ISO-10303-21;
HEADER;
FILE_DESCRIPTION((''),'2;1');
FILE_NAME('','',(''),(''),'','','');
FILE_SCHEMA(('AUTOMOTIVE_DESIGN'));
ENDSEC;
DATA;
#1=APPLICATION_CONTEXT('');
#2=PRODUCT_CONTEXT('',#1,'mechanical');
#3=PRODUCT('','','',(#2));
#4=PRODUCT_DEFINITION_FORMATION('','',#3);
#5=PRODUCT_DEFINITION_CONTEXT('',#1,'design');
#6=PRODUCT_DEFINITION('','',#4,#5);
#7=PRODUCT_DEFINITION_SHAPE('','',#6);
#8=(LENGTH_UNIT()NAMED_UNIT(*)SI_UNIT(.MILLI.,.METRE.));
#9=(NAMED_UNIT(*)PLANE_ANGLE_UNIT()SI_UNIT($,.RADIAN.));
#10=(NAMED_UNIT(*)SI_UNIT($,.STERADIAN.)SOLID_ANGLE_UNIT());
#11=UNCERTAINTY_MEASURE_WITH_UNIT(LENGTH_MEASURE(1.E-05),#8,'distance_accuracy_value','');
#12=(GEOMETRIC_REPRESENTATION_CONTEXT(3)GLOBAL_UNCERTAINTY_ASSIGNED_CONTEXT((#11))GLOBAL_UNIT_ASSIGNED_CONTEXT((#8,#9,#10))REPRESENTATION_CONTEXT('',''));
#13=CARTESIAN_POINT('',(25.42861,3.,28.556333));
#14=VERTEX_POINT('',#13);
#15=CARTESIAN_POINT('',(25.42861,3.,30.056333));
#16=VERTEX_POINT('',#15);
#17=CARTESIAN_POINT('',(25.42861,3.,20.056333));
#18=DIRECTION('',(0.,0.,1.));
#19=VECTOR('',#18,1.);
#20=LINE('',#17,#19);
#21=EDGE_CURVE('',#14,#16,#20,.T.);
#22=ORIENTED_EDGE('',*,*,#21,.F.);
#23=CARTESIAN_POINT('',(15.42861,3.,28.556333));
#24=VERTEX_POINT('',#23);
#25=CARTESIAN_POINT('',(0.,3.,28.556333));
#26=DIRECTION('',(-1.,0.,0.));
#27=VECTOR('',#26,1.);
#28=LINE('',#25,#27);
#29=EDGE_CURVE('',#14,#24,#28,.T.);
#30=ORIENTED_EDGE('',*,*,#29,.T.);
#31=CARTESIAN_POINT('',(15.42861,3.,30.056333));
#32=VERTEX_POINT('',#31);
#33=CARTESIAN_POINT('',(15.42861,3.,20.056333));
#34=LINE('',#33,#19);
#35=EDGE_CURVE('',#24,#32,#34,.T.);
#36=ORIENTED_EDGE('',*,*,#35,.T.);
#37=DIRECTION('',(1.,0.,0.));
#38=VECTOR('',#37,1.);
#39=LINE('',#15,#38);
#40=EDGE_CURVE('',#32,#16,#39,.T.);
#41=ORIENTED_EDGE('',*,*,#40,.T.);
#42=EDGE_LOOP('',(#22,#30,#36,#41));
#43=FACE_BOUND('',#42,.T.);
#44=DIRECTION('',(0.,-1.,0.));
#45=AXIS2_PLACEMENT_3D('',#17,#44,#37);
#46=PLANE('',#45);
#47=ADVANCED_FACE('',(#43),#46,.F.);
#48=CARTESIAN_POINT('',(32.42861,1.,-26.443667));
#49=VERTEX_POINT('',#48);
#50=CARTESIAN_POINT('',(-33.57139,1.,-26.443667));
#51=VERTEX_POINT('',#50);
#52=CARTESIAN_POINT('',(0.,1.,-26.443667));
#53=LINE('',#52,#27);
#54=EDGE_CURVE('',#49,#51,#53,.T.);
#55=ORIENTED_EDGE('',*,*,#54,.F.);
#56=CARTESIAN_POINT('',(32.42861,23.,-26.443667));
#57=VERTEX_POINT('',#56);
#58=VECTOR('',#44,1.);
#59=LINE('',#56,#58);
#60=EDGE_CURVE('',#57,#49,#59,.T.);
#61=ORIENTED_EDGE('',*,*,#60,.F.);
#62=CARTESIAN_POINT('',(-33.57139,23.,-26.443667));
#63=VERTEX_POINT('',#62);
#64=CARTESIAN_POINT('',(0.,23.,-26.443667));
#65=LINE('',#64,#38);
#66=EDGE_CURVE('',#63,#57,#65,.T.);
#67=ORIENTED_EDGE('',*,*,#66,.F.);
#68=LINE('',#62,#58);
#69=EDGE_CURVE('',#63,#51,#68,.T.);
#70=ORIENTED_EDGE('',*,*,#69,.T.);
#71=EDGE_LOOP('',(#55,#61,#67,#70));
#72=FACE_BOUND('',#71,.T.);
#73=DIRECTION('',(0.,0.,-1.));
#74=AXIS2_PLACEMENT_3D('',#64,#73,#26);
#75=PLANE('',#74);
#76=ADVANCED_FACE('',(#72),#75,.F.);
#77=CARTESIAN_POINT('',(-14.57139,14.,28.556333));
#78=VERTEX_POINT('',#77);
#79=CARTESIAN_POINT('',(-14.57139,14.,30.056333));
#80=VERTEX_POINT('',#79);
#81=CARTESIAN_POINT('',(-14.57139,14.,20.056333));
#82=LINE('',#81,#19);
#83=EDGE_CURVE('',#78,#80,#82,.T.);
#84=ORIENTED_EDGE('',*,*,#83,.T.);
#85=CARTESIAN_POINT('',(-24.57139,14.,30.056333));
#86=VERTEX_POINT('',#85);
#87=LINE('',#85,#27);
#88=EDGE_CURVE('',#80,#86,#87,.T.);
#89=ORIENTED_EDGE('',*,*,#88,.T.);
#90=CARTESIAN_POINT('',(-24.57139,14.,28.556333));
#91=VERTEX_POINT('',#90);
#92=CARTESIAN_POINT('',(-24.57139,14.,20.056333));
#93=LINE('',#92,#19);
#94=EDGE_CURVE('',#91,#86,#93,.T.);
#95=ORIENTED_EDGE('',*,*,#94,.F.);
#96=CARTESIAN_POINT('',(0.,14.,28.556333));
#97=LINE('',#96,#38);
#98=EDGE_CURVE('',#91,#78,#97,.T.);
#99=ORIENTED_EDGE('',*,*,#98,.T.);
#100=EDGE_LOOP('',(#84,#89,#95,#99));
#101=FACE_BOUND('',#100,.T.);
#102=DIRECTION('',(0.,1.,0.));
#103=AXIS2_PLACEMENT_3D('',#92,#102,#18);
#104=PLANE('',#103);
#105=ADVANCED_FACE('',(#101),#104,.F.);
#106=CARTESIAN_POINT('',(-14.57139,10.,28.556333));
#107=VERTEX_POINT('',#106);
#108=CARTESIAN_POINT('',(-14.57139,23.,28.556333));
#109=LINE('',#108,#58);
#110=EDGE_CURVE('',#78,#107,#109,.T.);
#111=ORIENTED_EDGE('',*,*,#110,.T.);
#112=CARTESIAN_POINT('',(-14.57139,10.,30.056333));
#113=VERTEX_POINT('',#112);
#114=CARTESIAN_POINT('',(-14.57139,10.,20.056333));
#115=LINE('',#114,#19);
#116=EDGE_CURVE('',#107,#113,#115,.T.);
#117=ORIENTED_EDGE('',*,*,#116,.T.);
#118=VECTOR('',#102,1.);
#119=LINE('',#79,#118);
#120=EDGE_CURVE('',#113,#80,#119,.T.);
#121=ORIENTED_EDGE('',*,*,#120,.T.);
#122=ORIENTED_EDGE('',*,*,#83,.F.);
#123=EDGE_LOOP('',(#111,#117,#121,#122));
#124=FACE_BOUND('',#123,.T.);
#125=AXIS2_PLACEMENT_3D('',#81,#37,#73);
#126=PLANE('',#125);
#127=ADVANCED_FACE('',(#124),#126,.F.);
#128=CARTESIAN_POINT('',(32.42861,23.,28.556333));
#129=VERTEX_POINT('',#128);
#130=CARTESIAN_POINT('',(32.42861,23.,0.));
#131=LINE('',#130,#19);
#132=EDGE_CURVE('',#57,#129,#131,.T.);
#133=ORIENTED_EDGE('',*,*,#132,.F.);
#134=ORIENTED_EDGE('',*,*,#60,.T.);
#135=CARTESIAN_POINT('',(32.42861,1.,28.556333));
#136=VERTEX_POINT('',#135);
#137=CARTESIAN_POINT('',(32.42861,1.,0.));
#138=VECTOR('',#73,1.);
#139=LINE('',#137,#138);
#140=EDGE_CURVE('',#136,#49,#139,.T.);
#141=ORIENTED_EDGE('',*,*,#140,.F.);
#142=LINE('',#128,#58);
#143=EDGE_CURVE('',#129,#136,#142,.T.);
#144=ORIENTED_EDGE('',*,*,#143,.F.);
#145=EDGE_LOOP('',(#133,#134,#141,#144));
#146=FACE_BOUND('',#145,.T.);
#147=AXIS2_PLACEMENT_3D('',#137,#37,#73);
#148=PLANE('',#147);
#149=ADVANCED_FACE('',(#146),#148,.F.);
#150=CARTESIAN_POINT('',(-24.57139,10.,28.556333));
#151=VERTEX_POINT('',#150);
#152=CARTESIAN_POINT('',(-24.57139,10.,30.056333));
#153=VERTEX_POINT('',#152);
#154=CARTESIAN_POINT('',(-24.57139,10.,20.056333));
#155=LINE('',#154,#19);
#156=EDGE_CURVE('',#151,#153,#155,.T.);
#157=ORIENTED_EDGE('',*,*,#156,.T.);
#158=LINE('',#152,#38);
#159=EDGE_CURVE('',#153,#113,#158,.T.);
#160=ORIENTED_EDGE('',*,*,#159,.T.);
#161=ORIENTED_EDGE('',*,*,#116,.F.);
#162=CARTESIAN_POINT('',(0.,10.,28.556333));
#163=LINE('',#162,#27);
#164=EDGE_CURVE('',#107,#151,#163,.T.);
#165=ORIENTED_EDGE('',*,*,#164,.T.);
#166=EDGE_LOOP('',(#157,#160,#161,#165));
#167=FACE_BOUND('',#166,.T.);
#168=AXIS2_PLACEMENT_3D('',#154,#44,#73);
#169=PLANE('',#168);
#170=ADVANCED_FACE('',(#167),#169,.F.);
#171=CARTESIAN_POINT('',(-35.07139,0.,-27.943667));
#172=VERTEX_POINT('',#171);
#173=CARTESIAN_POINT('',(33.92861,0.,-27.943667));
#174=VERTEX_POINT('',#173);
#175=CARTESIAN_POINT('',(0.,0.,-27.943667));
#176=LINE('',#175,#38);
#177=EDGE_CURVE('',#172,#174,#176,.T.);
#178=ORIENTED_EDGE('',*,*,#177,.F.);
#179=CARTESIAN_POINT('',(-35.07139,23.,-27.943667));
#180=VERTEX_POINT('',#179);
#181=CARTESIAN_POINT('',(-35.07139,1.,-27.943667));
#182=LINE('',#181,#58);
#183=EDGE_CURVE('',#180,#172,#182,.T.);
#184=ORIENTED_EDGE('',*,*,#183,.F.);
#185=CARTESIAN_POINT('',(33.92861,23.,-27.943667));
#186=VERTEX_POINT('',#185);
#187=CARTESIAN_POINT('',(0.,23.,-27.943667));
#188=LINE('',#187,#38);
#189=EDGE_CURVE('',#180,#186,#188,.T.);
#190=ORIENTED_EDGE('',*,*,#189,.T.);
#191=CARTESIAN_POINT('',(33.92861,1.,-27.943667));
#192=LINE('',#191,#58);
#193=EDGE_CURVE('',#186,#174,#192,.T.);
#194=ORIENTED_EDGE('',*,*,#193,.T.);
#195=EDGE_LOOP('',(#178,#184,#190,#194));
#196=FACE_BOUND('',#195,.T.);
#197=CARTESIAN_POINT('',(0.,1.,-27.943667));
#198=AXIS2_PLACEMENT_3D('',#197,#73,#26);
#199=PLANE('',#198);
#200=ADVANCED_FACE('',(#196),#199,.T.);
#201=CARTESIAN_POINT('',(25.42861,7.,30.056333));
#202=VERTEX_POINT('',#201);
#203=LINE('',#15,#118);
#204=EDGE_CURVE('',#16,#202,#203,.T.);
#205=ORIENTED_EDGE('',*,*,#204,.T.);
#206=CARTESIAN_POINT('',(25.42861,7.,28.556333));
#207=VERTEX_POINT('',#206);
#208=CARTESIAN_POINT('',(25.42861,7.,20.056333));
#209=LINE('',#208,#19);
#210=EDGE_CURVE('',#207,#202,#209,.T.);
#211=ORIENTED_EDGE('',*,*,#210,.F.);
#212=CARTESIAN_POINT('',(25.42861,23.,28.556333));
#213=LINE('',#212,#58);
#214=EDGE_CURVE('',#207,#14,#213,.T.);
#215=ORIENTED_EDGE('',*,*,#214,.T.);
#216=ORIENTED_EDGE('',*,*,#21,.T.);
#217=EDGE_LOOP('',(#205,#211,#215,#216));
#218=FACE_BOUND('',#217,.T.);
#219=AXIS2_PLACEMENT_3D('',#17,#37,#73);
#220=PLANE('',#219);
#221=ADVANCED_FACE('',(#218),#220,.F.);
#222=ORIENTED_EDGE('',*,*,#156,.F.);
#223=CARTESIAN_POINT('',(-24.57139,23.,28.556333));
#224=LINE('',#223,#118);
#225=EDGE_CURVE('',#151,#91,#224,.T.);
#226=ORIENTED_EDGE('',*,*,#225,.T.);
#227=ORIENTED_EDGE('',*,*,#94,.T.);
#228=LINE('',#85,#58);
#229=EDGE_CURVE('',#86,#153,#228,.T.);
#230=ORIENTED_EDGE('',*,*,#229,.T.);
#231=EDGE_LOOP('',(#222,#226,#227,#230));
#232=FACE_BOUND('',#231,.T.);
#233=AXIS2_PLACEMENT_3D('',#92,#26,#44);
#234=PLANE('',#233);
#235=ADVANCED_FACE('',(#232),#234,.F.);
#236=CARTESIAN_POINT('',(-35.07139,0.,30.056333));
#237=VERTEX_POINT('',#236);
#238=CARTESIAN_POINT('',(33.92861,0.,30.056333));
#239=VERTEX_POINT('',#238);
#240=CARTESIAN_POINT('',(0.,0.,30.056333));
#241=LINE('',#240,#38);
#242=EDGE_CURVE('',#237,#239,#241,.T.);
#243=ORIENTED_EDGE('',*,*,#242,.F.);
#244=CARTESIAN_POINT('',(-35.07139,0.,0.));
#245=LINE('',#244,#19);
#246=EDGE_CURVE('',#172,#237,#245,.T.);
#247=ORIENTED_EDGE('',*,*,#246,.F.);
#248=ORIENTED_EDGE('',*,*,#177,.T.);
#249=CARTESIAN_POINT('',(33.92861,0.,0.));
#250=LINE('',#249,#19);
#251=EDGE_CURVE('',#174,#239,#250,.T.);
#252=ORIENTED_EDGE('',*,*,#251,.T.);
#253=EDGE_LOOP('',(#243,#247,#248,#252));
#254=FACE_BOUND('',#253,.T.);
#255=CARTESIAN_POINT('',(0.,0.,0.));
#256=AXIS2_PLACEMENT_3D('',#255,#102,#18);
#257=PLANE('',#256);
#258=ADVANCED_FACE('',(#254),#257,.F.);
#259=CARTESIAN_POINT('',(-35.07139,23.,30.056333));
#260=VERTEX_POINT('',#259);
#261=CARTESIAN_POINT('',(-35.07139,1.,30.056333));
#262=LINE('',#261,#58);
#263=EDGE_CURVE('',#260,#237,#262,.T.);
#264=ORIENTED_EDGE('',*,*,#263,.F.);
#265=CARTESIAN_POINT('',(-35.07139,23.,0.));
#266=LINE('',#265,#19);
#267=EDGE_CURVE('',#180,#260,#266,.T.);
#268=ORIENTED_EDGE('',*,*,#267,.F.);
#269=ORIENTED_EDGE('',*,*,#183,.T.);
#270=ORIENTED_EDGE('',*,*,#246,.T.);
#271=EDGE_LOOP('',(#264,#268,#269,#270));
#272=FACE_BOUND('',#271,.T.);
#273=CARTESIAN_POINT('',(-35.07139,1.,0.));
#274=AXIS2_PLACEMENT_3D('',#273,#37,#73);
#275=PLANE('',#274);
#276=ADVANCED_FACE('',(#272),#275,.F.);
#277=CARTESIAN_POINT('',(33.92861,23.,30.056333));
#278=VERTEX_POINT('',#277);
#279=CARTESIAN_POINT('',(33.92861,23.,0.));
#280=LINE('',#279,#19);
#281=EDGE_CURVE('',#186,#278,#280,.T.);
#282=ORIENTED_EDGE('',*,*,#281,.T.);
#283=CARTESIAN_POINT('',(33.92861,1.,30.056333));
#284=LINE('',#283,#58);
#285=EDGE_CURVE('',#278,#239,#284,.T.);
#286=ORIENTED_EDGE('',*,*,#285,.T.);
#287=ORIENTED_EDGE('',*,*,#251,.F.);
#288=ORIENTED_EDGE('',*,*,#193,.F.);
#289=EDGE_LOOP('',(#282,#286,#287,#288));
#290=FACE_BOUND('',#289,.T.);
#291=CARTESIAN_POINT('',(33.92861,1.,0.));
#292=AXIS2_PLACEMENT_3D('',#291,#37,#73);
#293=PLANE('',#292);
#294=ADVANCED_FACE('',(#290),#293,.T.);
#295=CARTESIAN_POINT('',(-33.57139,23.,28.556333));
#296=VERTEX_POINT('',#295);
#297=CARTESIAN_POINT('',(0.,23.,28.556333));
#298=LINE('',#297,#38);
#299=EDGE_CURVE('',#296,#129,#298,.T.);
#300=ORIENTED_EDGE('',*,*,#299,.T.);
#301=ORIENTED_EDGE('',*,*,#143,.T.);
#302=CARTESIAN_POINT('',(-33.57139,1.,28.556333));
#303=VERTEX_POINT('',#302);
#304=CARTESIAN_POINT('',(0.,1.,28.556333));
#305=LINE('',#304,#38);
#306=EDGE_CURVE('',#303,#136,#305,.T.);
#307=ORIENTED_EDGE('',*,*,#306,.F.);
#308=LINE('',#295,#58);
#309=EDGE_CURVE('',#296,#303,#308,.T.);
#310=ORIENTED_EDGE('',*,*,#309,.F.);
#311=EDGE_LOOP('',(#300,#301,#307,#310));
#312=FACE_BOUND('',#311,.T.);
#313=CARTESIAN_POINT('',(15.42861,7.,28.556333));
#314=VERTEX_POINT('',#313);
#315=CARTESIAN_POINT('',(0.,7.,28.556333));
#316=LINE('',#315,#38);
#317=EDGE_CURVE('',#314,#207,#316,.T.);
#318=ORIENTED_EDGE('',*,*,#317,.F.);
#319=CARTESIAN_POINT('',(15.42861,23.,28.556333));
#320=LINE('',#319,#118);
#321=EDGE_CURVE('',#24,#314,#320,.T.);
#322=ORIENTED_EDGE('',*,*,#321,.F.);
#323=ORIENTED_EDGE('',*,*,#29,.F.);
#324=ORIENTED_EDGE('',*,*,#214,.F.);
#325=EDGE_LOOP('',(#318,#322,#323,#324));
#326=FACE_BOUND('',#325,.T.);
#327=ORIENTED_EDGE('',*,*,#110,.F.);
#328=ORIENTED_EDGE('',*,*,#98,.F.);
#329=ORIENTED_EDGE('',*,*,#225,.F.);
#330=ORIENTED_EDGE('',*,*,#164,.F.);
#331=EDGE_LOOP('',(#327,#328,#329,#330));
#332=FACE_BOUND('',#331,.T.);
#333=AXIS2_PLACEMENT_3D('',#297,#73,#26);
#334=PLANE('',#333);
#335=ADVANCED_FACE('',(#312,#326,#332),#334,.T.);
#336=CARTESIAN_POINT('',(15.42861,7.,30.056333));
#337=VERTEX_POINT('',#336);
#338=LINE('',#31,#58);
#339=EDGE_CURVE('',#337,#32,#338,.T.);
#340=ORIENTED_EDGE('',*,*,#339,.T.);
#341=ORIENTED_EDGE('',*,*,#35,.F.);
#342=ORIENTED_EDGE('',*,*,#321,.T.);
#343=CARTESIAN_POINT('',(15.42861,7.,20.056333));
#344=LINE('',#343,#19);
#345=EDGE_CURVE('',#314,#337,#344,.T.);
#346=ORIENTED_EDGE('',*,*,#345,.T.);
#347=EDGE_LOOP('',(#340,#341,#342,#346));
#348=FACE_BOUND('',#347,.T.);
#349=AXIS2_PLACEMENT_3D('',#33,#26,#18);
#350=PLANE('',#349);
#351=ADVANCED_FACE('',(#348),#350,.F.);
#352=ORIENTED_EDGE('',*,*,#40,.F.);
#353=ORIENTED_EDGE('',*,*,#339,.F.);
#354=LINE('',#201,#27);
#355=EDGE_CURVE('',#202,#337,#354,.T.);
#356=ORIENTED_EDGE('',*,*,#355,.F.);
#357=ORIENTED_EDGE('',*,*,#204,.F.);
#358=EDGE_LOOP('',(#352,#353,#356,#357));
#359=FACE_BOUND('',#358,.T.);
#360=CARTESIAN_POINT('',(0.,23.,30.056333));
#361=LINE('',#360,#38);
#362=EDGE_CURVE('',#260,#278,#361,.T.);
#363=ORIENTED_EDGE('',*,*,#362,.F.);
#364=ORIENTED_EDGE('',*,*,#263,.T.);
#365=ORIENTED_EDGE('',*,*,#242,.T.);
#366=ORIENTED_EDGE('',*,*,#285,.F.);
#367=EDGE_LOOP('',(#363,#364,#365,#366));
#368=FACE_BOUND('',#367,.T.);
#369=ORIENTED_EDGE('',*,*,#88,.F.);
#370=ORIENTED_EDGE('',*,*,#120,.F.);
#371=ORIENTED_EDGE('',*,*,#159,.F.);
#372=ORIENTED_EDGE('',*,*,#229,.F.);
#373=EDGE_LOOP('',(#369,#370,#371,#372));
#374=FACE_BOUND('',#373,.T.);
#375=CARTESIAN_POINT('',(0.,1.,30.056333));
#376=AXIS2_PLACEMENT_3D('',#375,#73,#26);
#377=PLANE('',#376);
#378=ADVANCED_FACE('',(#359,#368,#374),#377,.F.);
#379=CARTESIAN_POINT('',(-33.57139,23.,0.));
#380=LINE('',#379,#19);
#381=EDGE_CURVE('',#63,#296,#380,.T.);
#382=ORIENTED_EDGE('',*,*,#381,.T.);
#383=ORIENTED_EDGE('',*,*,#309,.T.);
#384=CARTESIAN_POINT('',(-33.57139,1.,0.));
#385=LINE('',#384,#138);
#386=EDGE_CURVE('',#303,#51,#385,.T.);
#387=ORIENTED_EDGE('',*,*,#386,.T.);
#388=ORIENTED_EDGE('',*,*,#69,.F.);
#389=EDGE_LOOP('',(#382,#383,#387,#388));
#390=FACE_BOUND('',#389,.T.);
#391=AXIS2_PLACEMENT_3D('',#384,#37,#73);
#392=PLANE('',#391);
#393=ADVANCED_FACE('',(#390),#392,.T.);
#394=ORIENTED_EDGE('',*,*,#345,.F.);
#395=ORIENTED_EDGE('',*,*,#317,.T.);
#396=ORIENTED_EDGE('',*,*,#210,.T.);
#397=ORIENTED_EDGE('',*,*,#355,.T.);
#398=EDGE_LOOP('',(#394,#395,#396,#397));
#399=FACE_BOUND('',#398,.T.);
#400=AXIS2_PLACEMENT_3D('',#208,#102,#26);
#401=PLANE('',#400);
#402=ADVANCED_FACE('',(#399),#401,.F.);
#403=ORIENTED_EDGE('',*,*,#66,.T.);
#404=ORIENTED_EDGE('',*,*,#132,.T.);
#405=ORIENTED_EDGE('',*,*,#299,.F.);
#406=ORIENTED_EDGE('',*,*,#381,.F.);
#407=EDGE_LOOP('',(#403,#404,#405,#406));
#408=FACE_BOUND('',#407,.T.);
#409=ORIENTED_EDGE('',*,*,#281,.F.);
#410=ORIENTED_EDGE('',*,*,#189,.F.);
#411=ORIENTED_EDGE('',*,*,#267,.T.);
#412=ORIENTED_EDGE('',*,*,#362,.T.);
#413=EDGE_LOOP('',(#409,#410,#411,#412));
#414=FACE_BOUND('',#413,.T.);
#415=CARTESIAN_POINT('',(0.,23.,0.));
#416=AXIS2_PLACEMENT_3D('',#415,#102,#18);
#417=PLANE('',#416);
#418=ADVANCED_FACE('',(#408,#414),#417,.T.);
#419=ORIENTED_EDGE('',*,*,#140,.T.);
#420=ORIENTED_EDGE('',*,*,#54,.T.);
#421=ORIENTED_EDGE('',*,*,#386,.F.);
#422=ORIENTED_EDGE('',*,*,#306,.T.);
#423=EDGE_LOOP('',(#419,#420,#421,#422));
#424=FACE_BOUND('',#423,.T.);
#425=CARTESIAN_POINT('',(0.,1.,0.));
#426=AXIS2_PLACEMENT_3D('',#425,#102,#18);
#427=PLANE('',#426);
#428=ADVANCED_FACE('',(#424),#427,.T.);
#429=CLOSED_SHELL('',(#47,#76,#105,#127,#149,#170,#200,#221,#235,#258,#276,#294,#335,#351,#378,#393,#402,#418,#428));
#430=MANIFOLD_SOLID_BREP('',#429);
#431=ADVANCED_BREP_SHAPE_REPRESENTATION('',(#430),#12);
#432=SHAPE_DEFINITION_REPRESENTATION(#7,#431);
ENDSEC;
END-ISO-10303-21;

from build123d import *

# Parameters (mm, degrees)
BOSS_EXTRUDE2_DEPTH = 1
BOSS_EXTRUDE3_DEPTH = 23
SKETCH1_4_W         = 66
SKETCH1_4_H         = 1.5
BOSS_EXTRUDE4_DEPTH = 23
SKETCH5_W           = 10
SKETCH5_H           = 4
CUT_EXTRUDE3_DEPTH  = 10


with BuildPart() as part:
    # Sketch1 → Boss-Extrude2 (new body)
    with BuildSketch(Plane(origin=(0, 0, 0), x_dir=(1, 0, 0), z_dir=(0, 1, 0))):
        Polygon((-33.571389819, -30.056333369), (-33.571389819, -28.556333369), (32.428610181, -28.556333369), (32.428610181, -30.056333369), (33.928610181, -30.056333369), (33.928610181, 27.943666631), (-35.071389819, 27.943666631), (-35.071389819, -30.056333369), align=None)
    extrude(amount=BOSS_EXTRUDE2_DEPTH)

    # Sketch1<3> → Boss-Extrude3 (add)
    with BuildSketch(Plane(origin=(0, 0, 0), x_dir=(1, 0, 0), z_dir=(0, 1, 0))):
        Polygon((-33.571389819, -30.056333369), (-33.571389819, -28.556333369), (-33.571389819, 26.443666631), (32.428610181, 26.443666631), (32.428610181, -28.556333369), (32.428610181, -30.056333369), (33.928610181, -30.056333369), (33.928610181, 27.943666631), (-35.071389819, 27.943666631), (-35.071389819, -30.056333369), align=None)
    extrude(amount=BOSS_EXTRUDE3_DEPTH)

    # Sketch1<4> → Boss-Extrude4 (add)
    with BuildSketch(Plane(origin=(0, 0, 0), x_dir=(1, 0, 0), z_dir=(0, 1, 0))):
        with Locations((-0.571389819, -29.306333369)):
            Rectangle(SKETCH1_4_W, SKETCH1_4_H)
    extrude(amount=BOSS_EXTRUDE4_DEPTH)

    # Sketch5 → Cut-Extrude3 (cut)
    with BuildSketch(Plane.XY.offset(30.056333369)):
        with Locations((20.428610181, 5)):
            Rectangle(SKETCH5_W, SKETCH5_H)
        with Locations((-19.571389819, 12)):
            Rectangle(SKETCH5_W, SKETCH5_H)
    extrude(amount=-CUT_EXTRUDE3_DEPTH, mode=Mode.SUBTRACT)


solid = part.part
